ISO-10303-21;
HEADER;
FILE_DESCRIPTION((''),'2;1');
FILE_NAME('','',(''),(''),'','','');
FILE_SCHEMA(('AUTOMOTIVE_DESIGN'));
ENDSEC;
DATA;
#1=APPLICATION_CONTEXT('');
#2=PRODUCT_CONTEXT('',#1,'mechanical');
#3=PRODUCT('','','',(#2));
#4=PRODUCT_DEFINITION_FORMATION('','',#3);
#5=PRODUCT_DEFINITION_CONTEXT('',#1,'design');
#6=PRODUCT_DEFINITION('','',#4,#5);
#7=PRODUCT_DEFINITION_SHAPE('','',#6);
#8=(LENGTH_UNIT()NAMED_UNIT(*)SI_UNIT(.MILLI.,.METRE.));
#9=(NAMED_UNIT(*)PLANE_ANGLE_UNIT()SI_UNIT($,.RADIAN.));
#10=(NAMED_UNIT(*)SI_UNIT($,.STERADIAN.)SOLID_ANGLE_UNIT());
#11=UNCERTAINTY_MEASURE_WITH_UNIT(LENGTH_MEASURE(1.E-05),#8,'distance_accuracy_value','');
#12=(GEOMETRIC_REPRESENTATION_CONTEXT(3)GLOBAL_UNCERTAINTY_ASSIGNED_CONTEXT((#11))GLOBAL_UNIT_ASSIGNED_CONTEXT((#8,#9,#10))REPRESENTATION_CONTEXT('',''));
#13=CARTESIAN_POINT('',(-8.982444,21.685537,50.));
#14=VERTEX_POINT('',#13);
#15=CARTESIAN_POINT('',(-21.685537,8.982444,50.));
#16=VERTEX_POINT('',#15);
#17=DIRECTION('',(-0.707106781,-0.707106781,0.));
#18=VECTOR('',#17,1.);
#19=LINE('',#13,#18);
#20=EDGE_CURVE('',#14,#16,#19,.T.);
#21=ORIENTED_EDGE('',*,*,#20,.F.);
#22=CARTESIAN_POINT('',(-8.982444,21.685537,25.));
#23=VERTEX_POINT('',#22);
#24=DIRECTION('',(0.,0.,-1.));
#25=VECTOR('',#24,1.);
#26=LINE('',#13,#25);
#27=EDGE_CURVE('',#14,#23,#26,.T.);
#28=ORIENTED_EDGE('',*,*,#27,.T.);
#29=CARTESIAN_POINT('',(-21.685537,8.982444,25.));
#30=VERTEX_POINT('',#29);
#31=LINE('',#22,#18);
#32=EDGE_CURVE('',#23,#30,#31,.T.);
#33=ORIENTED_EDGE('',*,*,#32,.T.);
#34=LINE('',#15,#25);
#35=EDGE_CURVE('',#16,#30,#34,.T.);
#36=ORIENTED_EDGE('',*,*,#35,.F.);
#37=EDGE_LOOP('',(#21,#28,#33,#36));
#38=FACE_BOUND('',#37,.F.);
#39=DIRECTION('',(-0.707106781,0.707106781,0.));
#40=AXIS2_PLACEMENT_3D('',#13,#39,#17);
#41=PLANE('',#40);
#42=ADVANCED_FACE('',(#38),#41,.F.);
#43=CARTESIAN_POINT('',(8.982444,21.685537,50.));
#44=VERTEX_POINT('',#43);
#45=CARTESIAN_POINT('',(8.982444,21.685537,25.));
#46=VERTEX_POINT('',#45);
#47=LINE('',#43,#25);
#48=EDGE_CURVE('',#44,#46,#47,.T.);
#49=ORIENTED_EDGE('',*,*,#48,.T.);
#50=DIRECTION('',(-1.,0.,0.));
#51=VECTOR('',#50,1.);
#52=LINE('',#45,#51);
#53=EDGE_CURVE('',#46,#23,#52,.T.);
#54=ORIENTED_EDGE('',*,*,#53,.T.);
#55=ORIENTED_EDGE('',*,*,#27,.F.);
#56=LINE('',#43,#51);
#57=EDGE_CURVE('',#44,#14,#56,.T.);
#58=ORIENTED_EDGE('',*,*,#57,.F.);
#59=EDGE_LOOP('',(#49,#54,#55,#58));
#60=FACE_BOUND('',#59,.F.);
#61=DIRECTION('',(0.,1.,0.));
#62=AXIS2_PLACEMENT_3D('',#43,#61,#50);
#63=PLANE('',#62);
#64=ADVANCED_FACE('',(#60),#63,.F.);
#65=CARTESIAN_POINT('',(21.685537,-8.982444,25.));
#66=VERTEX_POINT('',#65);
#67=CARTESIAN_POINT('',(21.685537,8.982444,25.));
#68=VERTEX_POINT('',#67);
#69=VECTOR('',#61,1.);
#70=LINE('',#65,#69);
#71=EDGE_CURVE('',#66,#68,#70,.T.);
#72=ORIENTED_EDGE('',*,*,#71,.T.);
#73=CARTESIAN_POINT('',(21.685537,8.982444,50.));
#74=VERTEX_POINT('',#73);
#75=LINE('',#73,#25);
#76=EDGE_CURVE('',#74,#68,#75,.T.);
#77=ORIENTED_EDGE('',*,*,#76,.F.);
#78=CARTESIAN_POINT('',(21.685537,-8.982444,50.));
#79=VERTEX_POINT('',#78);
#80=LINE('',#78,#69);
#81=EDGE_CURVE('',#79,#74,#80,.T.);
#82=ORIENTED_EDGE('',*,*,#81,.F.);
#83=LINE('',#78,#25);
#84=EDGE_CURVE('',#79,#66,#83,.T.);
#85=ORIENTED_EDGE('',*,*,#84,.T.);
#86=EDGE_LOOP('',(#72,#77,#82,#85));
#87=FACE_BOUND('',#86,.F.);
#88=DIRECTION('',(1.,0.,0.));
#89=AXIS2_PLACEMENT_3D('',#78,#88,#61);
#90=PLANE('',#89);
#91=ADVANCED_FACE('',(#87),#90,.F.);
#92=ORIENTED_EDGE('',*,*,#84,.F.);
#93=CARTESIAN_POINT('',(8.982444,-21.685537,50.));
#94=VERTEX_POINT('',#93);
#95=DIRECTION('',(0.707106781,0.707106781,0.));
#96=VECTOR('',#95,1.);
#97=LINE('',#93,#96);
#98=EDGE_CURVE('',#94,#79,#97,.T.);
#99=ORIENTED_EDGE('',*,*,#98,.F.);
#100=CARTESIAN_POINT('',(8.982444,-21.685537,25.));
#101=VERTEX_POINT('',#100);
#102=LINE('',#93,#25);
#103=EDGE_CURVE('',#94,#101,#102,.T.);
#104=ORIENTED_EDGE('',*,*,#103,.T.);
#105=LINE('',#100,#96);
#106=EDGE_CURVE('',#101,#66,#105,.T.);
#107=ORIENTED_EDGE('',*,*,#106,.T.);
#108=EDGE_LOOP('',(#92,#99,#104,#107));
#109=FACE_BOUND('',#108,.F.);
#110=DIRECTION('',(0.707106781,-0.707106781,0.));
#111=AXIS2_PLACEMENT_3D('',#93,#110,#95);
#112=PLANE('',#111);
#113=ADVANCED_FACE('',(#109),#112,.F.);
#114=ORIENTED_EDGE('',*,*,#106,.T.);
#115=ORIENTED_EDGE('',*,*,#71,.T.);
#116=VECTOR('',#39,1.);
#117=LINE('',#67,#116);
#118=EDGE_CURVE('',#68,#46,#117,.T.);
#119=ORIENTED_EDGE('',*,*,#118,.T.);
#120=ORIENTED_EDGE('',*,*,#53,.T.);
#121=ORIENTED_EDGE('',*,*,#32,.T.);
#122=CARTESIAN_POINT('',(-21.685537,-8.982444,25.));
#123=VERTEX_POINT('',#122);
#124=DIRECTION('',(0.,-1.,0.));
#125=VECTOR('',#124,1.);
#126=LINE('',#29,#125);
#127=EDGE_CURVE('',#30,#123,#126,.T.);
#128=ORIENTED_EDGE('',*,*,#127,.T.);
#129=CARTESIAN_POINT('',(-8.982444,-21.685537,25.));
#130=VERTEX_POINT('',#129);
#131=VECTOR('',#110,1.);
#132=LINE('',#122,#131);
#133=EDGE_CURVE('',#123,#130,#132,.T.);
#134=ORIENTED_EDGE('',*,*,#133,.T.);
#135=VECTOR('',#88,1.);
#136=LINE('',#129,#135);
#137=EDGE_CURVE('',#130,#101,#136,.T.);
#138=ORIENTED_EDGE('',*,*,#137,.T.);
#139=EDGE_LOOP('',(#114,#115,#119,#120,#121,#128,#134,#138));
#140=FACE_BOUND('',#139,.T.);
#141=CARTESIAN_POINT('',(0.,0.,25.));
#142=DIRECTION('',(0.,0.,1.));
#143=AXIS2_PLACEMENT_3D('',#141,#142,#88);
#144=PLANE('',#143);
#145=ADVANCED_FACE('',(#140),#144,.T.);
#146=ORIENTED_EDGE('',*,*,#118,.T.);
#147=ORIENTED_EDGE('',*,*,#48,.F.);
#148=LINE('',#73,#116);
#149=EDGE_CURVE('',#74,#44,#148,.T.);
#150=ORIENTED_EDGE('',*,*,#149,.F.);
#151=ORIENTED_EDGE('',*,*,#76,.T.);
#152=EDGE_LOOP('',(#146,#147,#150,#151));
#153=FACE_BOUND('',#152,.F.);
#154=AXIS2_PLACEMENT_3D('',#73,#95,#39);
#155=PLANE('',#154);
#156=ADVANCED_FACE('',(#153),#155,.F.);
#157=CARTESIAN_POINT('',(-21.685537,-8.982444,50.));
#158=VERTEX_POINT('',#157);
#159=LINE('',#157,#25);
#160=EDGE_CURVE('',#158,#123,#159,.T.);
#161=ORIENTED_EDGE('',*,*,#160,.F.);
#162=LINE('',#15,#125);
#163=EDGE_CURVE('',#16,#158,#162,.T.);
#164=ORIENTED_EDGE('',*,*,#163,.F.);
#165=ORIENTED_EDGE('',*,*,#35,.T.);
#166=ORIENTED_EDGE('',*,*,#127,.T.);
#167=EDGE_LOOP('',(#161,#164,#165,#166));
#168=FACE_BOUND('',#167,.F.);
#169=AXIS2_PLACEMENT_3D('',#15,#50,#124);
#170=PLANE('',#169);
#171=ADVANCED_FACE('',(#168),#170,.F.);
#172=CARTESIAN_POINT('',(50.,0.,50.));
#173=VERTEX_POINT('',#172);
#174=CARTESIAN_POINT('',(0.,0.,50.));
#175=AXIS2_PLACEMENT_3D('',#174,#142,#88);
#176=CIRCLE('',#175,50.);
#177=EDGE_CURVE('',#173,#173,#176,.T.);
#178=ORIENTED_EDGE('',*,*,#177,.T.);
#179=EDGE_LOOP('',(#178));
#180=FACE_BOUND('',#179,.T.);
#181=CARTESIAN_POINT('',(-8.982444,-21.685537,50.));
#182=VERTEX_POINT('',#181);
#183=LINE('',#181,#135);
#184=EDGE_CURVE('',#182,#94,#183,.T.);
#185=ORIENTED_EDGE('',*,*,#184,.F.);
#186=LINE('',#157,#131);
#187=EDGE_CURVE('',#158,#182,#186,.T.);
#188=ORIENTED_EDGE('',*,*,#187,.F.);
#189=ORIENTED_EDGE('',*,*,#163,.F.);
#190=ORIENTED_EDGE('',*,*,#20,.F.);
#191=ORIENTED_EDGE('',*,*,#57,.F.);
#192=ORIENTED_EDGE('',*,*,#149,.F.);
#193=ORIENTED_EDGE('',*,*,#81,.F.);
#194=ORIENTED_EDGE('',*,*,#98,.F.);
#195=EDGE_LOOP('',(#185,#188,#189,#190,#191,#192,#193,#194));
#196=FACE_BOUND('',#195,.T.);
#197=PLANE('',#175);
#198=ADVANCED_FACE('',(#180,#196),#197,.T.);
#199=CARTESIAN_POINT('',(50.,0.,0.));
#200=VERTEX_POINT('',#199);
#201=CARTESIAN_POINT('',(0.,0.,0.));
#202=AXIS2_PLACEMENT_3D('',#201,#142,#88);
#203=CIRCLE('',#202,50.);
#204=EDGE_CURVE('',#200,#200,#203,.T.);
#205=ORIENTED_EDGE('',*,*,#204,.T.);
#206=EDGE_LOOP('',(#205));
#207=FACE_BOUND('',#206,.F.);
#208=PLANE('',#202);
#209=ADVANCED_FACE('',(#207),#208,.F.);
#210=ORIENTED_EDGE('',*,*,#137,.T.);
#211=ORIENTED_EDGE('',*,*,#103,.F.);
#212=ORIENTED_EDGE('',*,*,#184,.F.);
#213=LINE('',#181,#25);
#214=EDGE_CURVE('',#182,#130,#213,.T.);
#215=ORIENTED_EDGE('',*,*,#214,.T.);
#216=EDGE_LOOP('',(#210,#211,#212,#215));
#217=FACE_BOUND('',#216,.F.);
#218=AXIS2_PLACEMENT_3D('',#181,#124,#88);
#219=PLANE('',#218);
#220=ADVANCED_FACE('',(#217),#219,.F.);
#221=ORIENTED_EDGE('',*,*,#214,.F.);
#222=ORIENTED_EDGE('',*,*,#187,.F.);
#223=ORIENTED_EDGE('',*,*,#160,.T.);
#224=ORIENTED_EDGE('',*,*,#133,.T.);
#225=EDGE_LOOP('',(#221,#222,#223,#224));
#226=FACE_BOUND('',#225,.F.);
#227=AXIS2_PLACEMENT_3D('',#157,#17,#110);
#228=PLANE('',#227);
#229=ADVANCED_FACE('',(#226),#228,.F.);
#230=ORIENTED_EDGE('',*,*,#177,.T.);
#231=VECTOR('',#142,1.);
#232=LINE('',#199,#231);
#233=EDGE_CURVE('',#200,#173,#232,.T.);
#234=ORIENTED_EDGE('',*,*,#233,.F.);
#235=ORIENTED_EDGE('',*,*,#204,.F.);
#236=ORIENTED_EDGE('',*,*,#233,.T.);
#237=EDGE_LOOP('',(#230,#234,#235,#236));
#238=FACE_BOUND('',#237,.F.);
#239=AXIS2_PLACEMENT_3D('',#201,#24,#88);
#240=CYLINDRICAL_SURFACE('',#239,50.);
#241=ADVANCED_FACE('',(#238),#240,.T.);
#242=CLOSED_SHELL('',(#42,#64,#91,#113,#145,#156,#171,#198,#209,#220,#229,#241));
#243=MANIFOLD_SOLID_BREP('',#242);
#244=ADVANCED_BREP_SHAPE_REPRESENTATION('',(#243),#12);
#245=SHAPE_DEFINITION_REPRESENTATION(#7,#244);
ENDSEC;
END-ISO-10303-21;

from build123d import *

# Parameters (mm, degrees)
F0_R     = 50
F1_DEPTH = 50
F3_DEPTH = 25


with BuildPart() as f1:
    # F0 (on Top) → F1 (new body)
    with BuildSketch(Plane.XY):
        Circle(F0_R)
    extrude(amount=F1_DEPTH)

    # F2 (on face) → F3 (cut)
    with BuildSketch(Plane.XY.offset(50)):
        Polygon((-8.982444, -21.685537), (8.982444, -21.685537), (21.685537, -8.982444), (21.685537, 8.982444), (8.982444, 21.685537), (-8.982444, 21.685537), (-21.685537, 8.982444), (-21.685537, -8.982444), align=None)
    extrude(amount=-F3_DEPTH, mode=Mode.SUBTRACT)


solid = f1.part
